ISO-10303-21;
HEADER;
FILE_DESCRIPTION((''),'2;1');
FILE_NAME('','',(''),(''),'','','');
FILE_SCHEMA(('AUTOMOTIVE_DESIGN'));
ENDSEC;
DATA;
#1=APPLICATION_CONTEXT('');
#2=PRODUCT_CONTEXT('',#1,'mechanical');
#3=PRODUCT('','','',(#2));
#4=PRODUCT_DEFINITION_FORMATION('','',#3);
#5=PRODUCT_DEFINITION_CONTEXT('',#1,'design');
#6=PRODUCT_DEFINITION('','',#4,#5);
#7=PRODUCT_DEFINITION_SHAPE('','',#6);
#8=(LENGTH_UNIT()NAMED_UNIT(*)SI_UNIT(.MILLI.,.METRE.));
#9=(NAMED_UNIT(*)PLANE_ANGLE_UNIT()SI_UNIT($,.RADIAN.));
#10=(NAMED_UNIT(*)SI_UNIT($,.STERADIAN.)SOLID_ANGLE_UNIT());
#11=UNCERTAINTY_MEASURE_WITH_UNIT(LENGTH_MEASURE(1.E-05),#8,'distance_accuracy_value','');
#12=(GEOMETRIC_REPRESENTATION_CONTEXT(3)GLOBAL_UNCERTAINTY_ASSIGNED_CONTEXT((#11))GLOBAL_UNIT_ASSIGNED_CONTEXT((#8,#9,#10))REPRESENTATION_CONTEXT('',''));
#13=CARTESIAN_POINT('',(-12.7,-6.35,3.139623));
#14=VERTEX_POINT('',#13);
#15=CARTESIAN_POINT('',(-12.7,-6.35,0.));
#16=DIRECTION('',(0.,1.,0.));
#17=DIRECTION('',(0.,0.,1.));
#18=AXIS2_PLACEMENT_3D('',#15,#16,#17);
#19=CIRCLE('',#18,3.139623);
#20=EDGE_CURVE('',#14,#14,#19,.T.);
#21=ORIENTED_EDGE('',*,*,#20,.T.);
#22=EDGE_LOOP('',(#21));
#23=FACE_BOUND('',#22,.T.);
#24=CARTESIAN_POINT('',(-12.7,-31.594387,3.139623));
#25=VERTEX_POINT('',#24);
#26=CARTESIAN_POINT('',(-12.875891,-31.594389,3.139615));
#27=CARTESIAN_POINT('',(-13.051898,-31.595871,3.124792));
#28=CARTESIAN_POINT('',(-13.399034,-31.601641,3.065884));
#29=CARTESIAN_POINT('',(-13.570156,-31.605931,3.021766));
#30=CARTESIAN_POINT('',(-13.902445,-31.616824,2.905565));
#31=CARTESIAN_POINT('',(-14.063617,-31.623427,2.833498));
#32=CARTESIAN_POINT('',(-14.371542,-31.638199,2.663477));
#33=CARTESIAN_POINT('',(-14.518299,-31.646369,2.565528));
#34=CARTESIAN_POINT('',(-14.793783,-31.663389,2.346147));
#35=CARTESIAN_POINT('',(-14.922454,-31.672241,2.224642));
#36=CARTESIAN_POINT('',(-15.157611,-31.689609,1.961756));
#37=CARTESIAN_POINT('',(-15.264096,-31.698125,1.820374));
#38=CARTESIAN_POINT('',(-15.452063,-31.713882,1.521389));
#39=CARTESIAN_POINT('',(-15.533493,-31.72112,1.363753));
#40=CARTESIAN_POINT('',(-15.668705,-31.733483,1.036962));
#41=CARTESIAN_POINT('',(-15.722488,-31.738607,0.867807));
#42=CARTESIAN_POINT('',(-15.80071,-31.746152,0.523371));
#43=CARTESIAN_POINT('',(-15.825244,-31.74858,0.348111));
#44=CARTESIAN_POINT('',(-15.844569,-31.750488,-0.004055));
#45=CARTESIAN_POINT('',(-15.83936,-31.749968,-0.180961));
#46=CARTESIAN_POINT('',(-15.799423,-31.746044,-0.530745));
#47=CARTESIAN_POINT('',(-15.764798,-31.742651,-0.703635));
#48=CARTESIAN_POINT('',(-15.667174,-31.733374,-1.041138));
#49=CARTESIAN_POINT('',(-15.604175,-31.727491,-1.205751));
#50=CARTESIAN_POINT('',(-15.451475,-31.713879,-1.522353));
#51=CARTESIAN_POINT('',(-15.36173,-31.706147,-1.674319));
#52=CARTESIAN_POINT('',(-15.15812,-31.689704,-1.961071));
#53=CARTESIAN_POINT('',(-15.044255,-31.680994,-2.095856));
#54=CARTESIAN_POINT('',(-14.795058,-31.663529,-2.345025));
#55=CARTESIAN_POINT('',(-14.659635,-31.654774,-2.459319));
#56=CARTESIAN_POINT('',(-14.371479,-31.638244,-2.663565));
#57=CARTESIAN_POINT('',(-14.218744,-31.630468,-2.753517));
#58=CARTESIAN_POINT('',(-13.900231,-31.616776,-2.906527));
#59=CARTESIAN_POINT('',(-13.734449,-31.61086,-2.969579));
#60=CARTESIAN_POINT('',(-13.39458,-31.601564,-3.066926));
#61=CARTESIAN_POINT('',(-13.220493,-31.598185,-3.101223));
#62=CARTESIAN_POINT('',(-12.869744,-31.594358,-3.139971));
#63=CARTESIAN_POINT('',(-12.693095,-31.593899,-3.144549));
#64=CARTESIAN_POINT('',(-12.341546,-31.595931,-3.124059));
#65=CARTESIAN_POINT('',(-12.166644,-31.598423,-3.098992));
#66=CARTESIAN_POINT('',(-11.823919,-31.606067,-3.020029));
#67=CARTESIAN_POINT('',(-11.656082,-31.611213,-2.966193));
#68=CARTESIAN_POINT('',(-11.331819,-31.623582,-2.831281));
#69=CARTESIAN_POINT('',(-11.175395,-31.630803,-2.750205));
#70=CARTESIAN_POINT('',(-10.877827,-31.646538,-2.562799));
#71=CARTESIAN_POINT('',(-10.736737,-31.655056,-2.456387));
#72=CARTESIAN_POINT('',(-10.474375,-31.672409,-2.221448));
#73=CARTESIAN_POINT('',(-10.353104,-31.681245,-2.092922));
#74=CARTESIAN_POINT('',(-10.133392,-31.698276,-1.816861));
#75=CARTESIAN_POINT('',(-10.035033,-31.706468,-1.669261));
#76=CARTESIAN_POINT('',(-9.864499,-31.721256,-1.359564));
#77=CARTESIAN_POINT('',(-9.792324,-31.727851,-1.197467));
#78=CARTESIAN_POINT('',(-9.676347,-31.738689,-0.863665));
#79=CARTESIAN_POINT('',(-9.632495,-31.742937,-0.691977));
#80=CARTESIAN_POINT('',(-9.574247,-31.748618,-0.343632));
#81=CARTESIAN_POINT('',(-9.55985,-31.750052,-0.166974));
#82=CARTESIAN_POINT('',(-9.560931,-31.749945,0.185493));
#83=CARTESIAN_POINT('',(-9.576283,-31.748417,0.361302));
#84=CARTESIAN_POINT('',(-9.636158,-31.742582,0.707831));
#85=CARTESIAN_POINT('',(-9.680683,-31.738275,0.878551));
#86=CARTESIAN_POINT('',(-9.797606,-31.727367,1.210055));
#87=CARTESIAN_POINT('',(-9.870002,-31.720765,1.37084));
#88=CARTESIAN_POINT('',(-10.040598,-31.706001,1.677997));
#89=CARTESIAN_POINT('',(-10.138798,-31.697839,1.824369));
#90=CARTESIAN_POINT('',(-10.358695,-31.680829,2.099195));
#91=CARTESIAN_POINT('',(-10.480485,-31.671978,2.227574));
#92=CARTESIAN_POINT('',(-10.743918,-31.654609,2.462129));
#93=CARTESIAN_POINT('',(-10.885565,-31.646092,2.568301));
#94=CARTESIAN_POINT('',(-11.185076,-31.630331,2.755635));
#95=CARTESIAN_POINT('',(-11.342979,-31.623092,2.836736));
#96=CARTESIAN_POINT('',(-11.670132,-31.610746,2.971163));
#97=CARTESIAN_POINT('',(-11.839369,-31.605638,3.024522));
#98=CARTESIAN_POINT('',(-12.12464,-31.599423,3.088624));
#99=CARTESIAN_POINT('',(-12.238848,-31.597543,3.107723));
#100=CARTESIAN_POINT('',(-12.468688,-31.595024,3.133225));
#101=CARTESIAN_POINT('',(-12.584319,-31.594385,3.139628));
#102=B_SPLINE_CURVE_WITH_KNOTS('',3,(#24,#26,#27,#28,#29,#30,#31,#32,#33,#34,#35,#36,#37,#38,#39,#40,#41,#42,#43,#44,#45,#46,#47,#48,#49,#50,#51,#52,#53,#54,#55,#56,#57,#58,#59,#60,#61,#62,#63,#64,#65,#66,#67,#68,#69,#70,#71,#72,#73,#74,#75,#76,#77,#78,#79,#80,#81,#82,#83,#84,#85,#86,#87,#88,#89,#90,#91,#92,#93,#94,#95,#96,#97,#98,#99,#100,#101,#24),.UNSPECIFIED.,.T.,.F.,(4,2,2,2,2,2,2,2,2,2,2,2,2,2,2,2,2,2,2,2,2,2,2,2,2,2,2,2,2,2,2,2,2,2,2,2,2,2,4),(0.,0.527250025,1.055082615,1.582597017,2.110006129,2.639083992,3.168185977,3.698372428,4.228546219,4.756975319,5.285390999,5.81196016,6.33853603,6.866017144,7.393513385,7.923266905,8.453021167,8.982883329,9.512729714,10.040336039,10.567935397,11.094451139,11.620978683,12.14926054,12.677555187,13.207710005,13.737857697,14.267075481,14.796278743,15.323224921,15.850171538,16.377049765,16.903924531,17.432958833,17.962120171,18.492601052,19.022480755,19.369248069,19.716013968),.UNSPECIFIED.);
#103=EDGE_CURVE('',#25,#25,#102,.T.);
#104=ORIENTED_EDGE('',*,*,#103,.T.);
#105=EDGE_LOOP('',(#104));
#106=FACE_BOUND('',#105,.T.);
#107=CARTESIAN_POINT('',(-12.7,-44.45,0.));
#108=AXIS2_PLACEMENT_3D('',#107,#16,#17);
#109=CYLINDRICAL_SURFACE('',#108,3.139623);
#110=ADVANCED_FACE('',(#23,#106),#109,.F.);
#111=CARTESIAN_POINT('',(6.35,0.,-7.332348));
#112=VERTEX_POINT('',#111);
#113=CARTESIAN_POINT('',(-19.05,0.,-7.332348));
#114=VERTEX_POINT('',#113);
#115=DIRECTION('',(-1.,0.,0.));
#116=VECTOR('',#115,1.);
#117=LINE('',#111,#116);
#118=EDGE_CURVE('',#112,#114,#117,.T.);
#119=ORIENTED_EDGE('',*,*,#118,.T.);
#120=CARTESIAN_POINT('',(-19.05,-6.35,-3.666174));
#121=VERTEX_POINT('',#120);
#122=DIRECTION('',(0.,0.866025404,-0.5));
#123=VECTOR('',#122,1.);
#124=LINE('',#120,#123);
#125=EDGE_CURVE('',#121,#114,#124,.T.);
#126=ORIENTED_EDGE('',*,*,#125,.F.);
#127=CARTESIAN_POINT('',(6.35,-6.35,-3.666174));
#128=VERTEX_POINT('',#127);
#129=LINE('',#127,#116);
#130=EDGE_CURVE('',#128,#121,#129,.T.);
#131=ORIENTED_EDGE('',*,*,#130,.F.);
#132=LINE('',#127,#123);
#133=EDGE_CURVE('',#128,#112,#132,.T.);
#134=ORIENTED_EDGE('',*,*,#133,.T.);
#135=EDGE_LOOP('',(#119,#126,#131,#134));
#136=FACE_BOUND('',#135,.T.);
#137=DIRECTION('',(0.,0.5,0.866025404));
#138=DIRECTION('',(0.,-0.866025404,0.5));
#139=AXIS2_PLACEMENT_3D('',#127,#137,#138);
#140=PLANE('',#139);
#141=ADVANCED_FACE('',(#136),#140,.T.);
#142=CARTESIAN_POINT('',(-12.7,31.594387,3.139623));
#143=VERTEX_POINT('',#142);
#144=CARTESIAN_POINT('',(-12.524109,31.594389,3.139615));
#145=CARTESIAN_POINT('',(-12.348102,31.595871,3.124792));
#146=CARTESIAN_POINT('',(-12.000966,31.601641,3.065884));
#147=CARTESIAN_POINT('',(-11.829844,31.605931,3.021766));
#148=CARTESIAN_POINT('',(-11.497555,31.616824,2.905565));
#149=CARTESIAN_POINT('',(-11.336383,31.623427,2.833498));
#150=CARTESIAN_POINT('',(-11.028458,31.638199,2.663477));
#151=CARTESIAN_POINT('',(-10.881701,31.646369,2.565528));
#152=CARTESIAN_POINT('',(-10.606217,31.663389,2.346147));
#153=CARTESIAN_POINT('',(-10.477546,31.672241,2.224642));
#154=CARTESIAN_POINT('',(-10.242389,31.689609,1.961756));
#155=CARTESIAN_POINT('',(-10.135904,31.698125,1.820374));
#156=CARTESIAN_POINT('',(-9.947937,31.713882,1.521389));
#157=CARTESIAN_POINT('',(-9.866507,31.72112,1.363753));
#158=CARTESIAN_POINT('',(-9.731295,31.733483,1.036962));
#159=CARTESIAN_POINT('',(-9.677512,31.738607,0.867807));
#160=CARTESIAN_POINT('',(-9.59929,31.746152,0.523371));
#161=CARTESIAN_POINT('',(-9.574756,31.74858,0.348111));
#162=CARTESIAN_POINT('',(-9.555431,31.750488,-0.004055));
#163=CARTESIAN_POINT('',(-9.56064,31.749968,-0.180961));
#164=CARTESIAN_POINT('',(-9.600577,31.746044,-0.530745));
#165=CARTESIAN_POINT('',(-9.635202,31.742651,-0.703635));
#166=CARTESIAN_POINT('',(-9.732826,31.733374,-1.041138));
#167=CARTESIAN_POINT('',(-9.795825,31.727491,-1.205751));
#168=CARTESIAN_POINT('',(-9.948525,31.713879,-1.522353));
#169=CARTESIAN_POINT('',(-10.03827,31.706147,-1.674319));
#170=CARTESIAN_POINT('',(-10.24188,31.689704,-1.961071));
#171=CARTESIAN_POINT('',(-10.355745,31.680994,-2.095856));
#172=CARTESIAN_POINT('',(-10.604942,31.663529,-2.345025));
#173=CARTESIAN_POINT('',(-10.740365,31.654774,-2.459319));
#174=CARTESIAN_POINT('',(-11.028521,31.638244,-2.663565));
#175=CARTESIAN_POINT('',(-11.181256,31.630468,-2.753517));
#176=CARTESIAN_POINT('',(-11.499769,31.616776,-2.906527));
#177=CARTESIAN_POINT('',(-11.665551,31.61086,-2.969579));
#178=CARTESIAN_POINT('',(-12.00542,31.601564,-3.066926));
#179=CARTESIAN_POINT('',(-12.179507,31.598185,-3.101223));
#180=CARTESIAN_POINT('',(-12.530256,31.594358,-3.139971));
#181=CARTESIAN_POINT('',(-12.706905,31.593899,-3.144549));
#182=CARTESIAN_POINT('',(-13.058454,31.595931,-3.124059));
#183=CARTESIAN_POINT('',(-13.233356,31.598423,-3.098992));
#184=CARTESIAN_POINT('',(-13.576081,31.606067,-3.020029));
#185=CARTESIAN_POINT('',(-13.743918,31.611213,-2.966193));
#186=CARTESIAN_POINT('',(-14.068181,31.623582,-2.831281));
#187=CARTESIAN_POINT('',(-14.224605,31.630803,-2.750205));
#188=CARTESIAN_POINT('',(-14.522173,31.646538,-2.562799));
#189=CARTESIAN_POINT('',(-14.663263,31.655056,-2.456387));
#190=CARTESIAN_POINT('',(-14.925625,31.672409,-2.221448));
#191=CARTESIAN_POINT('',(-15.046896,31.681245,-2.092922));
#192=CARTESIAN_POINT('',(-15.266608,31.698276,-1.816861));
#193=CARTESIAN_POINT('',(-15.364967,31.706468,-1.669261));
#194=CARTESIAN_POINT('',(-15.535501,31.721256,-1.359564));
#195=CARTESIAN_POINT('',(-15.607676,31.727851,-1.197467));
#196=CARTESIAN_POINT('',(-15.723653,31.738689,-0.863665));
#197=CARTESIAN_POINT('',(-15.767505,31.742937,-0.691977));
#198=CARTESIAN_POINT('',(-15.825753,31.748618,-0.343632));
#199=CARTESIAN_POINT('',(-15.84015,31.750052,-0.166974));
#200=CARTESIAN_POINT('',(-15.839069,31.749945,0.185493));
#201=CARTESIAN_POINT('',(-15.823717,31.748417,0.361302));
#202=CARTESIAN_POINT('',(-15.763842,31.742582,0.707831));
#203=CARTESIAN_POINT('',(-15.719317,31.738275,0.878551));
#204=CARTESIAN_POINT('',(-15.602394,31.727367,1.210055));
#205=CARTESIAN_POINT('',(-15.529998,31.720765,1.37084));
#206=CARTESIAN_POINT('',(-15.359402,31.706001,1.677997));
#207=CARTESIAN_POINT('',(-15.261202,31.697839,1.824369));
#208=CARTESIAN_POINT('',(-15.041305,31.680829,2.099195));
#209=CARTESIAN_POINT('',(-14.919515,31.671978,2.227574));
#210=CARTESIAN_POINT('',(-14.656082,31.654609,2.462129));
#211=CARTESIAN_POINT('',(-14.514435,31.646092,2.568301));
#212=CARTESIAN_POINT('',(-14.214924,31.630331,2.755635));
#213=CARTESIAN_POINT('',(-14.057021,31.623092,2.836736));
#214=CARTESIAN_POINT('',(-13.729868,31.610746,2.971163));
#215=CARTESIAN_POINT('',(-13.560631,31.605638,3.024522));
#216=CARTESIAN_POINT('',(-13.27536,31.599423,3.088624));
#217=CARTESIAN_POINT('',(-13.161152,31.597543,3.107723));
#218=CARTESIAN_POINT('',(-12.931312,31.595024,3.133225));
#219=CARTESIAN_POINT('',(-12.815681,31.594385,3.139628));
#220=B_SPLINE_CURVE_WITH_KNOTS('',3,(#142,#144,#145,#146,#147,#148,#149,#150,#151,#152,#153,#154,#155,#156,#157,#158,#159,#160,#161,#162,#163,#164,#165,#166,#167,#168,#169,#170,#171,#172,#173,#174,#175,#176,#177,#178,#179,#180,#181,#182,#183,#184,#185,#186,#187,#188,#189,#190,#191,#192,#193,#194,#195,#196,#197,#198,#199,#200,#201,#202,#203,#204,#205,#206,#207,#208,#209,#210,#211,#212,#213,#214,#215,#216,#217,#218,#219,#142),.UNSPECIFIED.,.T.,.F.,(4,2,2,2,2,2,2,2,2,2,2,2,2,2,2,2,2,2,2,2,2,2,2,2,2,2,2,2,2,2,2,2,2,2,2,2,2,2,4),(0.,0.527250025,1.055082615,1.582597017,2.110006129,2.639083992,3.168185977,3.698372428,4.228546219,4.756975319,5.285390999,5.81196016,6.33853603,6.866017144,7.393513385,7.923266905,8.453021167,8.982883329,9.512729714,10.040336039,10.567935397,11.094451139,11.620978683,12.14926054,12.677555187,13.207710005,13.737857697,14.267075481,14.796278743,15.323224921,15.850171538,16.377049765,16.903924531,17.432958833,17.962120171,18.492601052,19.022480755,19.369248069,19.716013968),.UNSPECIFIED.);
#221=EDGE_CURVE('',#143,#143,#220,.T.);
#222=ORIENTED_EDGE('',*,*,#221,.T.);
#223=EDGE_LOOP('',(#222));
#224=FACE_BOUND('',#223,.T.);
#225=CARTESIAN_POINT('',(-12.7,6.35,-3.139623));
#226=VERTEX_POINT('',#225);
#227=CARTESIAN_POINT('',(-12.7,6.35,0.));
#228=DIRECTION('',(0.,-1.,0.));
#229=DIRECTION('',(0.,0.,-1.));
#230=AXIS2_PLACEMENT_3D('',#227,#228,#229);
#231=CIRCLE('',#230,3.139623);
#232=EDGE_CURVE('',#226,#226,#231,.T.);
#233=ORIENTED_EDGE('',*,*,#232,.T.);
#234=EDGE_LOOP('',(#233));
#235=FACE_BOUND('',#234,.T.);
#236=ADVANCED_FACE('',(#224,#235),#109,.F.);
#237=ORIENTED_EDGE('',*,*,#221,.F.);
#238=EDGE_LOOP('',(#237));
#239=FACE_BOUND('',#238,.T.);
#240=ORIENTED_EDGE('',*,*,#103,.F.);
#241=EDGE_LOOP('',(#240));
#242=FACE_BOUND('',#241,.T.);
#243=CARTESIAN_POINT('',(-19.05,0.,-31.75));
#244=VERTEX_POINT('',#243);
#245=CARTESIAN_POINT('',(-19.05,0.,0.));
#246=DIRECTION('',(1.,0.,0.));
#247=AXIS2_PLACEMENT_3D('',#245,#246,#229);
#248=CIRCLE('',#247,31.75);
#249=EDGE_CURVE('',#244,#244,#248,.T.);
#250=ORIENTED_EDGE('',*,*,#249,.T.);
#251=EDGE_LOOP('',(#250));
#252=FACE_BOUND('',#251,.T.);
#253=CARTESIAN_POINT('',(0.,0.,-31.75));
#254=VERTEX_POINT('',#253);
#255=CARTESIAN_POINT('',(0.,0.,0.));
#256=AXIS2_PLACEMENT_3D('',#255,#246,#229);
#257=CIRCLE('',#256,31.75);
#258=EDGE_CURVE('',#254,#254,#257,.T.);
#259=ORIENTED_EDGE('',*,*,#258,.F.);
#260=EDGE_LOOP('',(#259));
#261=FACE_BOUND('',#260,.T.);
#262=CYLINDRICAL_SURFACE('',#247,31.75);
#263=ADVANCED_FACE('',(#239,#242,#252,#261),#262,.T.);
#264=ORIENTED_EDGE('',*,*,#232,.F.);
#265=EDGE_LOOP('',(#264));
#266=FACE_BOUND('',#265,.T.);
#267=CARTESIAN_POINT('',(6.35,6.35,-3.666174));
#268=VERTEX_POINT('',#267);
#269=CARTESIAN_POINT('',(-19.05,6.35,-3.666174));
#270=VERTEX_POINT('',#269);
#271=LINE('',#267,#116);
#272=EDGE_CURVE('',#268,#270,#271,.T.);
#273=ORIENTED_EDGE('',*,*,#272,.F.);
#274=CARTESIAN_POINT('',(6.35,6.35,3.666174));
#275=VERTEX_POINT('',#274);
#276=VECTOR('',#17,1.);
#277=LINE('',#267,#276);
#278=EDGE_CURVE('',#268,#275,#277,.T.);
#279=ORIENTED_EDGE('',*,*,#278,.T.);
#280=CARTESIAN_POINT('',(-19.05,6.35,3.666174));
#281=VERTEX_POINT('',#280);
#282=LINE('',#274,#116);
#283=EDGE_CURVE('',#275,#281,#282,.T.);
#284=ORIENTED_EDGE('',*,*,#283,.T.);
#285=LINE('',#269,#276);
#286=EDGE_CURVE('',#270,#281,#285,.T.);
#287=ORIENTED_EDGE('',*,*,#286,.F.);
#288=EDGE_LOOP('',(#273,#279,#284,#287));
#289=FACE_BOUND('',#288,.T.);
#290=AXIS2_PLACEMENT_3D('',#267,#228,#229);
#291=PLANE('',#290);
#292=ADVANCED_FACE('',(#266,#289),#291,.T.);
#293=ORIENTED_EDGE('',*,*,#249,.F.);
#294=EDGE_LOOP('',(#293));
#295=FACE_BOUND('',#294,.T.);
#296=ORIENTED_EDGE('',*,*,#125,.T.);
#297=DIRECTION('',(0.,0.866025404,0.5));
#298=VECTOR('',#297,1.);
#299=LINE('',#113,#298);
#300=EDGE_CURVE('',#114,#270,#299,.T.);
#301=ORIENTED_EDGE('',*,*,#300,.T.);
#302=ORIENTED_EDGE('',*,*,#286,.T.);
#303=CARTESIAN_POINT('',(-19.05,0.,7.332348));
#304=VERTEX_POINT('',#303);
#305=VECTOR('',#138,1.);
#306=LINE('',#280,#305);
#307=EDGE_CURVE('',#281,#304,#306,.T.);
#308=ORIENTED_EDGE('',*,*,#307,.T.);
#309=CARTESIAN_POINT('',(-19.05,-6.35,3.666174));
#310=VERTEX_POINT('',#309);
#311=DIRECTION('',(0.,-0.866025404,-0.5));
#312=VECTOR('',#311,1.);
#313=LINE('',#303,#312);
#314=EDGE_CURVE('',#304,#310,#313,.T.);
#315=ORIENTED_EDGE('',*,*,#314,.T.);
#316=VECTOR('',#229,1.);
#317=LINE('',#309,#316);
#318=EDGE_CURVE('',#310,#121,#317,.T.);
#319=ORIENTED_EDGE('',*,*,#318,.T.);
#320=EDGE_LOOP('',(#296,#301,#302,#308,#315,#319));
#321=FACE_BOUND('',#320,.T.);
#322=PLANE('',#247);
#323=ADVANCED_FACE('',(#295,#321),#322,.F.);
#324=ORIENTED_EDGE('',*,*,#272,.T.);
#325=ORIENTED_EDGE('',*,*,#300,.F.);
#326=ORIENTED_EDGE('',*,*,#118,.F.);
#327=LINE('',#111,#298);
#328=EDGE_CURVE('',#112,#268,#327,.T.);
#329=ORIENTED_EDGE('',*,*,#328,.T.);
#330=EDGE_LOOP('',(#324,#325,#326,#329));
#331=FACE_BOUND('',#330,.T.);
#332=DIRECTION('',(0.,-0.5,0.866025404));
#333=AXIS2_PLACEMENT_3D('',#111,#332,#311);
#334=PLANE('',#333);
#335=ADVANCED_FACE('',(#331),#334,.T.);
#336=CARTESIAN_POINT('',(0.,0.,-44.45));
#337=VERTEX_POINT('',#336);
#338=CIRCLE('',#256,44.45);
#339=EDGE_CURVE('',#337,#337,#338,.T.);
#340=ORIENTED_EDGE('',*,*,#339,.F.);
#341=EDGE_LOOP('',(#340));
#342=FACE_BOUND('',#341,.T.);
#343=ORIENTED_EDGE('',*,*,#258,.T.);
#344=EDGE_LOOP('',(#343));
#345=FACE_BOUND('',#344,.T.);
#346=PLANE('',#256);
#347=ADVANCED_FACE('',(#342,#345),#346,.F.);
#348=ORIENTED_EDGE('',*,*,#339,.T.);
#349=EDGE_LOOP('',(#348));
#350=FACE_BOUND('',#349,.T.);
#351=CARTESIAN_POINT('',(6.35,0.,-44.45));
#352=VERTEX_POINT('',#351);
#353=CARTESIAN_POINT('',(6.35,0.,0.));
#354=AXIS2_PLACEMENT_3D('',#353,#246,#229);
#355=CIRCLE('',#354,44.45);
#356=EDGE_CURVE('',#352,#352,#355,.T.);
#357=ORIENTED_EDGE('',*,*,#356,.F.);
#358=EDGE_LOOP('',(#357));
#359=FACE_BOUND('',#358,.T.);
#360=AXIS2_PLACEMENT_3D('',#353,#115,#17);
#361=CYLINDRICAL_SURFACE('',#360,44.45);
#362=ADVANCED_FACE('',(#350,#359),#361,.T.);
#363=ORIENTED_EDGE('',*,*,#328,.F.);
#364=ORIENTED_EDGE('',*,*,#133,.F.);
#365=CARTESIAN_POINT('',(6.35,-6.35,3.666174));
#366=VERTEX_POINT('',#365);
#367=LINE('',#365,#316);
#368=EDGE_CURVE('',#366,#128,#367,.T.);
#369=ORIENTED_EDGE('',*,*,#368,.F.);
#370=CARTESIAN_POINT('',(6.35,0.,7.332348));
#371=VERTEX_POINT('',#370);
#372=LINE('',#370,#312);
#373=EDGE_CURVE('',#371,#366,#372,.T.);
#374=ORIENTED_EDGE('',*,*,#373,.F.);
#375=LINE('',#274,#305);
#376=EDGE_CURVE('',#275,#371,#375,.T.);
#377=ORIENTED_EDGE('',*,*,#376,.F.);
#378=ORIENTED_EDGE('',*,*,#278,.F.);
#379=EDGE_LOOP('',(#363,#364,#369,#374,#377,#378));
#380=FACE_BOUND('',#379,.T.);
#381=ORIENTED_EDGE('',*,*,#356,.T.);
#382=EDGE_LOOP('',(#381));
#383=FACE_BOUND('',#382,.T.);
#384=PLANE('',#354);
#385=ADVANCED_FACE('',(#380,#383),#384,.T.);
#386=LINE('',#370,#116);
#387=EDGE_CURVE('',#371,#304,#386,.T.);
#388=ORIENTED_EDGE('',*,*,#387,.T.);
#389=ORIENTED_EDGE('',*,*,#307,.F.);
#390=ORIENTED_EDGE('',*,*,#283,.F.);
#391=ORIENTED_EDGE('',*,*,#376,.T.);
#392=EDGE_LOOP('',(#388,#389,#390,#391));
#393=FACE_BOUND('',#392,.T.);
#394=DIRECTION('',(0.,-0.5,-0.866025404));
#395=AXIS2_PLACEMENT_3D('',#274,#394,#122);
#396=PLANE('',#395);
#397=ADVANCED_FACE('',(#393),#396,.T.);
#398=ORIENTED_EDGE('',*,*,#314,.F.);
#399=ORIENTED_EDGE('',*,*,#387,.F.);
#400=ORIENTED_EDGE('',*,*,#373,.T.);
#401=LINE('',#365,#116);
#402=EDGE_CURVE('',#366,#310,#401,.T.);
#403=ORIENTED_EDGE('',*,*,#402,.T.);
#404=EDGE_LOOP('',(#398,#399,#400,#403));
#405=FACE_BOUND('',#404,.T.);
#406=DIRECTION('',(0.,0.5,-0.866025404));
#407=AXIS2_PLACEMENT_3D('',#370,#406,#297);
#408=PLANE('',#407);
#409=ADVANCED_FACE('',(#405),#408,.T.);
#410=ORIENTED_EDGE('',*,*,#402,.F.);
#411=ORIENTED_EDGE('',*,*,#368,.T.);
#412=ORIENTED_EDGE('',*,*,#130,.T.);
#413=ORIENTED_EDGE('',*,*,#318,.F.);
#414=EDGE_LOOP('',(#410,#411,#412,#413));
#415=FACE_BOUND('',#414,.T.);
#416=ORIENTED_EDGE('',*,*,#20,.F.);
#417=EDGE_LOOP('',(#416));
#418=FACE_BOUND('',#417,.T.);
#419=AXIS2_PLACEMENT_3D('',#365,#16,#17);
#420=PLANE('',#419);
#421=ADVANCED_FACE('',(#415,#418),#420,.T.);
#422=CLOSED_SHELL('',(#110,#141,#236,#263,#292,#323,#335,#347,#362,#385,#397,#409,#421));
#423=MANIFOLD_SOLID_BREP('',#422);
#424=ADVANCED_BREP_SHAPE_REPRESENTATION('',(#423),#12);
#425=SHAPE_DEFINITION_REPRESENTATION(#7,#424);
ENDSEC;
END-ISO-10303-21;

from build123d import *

# Parameters (mm, degrees)
SKETCH1_R               = 44.45
BOSS_EXTRUDE1_DEPTH     = 6.35
SKETCH2_R               = 31.75
BOSS_EXTRUDE2_DEPTH     = 19.05
CUT_EXTRUDE1_DEPTH      = 66.684910748
CUT_EXTRUDE1_DEPTH_BACK = 66.684910748
SKETCH3_R               = 3.139622981


with BuildPart() as part:
    # Sketch1 → Boss-Extrude1 (new body)
    with BuildSketch(Plane(origin=(0, 0, 0), x_dir=(0, 0, -1), z_dir=(1, 0, 0))):
        Circle(SKETCH1_R)
        Polygon((3.666174209, -6.35), (7.332348419, 0), (3.666174209, 6.35), (-3.666174209, 6.35), (-7.332348419, 0), (-3.666174209, -6.35), align=None, mode=Mode.SUBTRACT)
    extrude(amount=BOSS_EXTRUDE1_DEPTH)

    # Sketch2 → Boss-Extrude2 (add)
    with BuildSketch(Plane(origin=(0, 0, 0), x_dir=(0, 0, -1), z_dir=(1, 0, 0))):
        Circle(SKETCH2_R)
        Polygon((-7.332348419, 0), (-3.666174209, -6.35), (3.666174209, -6.35), (7.332348419, 0), (3.666174209, 6.35), (-3.666174209, 6.35), align=None, mode=Mode.SUBTRACT)
    extrude(amount=-BOSS_EXTRUDE2_DEPTH)

    # Sketch3 → Cut-Extrude1 (cut, two sides: drawn at the far end of the back side and taken through both)
    with BuildSketch(Plane(origin=(0, 0, 0), x_dir=(1, 0, 0), z_dir=(0, 1, 0)).offset(-CUT_EXTRUDE1_DEPTH_BACK)):
        with Locations(Location((-12.7, 0, 0), (0, 0, 270))):
            Circle(SKETCH3_R)
    extrude(amount=CUT_EXTRUDE1_DEPTH + CUT_EXTRUDE1_DEPTH_BACK, mode=Mode.SUBTRACT)


solid = part.part
